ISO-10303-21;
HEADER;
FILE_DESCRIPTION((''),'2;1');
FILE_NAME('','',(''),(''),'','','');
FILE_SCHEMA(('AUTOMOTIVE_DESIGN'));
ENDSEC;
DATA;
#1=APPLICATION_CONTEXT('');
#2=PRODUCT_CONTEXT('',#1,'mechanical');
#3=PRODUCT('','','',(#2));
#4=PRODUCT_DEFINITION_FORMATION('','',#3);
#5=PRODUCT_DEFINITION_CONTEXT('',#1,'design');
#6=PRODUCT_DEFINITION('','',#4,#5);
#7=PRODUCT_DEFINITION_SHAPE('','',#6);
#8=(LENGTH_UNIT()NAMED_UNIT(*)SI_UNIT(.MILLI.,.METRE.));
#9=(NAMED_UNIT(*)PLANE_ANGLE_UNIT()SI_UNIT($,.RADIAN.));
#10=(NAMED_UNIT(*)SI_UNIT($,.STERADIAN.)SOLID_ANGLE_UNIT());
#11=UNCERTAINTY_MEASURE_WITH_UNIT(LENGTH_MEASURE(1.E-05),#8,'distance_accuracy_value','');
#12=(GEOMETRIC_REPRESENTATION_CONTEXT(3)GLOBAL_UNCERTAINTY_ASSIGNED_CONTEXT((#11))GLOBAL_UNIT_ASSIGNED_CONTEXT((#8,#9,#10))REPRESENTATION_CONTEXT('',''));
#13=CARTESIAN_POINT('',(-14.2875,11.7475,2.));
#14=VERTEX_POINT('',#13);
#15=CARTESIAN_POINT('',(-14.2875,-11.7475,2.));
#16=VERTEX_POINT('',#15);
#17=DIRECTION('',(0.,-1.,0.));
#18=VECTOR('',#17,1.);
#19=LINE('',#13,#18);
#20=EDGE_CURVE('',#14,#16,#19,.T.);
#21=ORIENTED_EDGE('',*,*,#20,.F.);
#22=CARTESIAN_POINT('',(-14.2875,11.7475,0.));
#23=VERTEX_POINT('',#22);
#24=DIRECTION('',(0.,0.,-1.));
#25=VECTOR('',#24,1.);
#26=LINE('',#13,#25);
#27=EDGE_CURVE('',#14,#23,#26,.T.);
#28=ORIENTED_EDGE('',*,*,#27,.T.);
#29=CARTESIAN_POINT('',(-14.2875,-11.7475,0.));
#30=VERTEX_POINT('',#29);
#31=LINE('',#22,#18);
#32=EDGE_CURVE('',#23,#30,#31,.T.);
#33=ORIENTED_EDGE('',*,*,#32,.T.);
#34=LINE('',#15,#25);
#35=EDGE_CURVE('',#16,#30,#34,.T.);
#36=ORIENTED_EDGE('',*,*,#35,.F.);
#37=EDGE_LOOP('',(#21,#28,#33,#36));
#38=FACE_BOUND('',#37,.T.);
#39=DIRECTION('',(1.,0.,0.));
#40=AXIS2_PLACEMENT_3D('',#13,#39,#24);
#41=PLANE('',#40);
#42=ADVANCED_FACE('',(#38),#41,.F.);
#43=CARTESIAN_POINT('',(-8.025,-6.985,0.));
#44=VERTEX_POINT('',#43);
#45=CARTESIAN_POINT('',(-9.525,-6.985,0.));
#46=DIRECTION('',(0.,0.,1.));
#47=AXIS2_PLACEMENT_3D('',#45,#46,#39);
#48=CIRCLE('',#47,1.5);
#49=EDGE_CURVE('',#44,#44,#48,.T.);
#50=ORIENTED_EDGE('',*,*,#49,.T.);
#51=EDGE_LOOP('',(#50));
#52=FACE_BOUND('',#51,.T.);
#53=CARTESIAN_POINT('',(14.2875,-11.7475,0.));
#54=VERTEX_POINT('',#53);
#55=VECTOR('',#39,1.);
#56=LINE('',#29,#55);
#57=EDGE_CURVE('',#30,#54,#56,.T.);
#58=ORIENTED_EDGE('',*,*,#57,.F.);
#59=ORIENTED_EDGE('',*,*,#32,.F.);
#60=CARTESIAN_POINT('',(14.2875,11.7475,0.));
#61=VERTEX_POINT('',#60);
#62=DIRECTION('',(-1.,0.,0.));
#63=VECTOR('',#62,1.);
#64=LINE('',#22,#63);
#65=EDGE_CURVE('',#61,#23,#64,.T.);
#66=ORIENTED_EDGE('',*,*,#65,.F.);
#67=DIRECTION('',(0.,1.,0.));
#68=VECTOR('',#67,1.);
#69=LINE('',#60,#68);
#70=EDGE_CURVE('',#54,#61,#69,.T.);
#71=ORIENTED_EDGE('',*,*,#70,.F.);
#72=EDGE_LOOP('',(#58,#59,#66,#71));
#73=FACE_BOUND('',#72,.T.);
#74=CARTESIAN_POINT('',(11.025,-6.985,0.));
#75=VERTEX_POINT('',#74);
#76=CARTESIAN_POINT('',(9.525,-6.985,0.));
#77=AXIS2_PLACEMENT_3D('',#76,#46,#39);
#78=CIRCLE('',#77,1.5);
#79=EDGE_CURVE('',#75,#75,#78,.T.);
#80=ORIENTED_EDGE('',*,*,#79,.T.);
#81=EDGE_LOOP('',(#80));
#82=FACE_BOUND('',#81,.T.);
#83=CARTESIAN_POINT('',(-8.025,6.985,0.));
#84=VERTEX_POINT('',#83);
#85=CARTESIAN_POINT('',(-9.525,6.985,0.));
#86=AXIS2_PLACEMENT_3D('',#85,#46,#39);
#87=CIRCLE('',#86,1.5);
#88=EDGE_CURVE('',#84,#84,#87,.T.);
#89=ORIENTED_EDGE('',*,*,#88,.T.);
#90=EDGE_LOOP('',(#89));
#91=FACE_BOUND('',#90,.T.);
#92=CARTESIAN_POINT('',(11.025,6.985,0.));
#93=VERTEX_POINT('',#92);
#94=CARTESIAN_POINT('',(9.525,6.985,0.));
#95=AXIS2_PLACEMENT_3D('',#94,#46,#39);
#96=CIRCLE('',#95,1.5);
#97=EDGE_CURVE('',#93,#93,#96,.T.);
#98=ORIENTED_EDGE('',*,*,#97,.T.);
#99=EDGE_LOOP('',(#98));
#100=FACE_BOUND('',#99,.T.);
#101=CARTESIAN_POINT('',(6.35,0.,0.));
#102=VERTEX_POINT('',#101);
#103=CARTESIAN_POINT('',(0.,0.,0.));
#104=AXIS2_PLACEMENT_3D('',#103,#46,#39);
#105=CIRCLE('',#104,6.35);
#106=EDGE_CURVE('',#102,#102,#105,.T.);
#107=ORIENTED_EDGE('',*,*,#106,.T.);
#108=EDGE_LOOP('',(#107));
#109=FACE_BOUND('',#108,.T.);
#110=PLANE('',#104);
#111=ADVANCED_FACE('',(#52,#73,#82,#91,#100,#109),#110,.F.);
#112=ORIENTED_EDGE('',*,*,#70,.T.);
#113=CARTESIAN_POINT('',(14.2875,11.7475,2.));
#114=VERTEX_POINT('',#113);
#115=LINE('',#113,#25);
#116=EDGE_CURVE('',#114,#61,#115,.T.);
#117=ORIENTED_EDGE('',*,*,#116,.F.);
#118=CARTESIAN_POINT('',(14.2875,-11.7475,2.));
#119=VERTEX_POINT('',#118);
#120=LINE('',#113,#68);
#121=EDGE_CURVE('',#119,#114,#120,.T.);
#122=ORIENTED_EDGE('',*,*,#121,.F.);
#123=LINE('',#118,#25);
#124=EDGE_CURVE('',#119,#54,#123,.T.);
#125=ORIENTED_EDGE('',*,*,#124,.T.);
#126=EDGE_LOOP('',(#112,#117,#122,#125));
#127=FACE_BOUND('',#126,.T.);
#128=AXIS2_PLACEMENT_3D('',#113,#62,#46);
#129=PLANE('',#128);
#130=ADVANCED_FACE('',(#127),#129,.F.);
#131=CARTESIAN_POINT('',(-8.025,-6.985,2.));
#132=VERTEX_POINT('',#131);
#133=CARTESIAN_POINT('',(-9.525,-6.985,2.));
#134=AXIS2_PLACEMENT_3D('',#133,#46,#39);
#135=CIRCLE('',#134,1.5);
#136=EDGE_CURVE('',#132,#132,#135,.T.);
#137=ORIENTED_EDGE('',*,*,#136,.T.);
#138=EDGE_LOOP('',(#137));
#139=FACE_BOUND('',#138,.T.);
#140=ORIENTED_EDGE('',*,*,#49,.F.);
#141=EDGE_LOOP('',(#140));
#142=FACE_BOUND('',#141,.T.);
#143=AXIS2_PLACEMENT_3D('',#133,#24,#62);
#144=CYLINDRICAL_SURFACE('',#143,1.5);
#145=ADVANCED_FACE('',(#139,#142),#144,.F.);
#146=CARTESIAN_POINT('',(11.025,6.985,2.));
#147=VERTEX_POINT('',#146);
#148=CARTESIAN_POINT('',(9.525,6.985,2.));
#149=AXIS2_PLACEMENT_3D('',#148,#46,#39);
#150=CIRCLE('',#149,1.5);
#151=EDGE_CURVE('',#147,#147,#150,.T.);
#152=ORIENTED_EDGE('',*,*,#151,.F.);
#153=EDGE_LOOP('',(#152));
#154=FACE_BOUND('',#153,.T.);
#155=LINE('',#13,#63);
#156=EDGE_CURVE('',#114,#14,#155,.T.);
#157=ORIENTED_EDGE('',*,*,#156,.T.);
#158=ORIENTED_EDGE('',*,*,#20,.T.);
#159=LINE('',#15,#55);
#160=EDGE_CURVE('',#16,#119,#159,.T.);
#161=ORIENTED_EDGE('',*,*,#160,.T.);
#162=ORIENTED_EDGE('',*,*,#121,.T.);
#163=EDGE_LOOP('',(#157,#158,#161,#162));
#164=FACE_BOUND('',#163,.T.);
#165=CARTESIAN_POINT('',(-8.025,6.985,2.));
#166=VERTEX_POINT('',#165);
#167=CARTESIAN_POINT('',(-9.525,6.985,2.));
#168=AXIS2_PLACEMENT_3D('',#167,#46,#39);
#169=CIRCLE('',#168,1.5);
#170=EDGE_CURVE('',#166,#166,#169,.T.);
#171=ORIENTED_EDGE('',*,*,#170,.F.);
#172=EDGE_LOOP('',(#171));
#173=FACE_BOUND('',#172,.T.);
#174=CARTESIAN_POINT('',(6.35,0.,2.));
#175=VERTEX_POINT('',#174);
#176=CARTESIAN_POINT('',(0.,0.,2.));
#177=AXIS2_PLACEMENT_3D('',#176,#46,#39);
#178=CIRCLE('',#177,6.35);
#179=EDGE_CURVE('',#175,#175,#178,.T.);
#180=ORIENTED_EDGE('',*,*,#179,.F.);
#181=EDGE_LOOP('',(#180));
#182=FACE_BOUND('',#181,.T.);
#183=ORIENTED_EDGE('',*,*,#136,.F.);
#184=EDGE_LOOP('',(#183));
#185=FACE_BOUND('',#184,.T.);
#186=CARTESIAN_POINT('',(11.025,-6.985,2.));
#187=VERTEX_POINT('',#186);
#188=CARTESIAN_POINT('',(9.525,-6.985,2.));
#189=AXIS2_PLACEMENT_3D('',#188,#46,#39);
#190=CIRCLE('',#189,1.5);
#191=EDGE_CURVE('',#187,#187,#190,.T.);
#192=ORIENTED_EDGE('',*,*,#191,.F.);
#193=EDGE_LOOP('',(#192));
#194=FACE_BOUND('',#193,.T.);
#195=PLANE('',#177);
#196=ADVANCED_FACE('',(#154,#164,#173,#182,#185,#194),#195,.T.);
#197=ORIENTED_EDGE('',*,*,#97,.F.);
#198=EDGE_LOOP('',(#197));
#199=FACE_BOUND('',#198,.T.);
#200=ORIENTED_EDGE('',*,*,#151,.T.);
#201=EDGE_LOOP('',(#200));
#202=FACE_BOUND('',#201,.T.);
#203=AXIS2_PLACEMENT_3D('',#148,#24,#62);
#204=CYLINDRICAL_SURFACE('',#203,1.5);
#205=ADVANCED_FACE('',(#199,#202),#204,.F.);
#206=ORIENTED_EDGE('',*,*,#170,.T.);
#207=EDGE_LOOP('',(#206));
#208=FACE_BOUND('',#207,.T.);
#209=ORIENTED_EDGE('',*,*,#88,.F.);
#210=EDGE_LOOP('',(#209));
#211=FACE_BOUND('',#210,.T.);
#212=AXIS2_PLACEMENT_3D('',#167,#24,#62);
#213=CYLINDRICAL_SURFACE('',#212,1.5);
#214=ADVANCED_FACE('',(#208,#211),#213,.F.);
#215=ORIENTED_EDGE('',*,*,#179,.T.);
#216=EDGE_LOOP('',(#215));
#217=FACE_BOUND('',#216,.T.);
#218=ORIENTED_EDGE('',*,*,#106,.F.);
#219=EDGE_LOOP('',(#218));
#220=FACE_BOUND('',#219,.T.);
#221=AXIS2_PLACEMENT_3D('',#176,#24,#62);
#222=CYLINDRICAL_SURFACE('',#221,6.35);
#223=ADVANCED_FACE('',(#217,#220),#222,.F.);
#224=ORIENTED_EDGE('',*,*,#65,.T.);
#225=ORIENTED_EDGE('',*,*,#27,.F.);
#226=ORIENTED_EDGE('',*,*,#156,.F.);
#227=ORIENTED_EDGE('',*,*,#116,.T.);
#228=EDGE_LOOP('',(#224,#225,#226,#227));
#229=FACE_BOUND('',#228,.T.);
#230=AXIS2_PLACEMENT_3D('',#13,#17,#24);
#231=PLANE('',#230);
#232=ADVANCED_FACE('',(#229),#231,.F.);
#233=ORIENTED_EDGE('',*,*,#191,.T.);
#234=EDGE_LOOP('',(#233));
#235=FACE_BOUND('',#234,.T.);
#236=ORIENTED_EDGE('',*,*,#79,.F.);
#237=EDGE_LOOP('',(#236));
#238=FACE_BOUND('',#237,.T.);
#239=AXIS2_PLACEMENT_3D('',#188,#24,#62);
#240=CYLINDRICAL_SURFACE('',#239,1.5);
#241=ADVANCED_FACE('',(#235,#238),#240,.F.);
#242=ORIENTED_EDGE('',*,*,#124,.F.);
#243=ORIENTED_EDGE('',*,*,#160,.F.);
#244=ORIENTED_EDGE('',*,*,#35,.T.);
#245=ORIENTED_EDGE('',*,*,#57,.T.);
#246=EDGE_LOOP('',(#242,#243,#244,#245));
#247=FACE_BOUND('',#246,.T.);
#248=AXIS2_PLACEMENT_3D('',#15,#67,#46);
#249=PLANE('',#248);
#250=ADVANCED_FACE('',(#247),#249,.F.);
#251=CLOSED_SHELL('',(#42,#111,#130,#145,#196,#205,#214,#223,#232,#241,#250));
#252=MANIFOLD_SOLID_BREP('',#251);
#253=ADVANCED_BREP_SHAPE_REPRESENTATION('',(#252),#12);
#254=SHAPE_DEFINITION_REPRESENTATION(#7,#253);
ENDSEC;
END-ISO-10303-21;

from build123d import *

# Parameters (mm, degrees)
SKETCH5_W           = 28.575
SKETCH5_H           = 23.495
SKETCH5_R           = 1.5
SKETCH5_R_2         = 6.35
BOSS_EXTRUDE1_DEPTH = 2


with BuildPart() as part:
    # Sketch5 → Boss-Extrude1 (new body)
    with BuildSketch(Plane.XY):
        Rectangle(SKETCH5_W, SKETCH5_H)
        with Locations((-9.525, 6.985)):
            Circle(SKETCH5_R, mode=Mode.SUBTRACT)
        with Locations((9.525, 6.985)):
            Circle(SKETCH5_R, mode=Mode.SUBTRACT)
        with Locations((-9.525, -6.985)):
            Circle(SKETCH5_R, mode=Mode.SUBTRACT)
        with Locations((9.525, -6.985)):
            Circle(SKETCH5_R, mode=Mode.SUBTRACT)
        Circle(SKETCH5_R_2, mode=Mode.SUBTRACT)
    extrude(amount=BOSS_EXTRUDE1_DEPTH)


solid = part.part
